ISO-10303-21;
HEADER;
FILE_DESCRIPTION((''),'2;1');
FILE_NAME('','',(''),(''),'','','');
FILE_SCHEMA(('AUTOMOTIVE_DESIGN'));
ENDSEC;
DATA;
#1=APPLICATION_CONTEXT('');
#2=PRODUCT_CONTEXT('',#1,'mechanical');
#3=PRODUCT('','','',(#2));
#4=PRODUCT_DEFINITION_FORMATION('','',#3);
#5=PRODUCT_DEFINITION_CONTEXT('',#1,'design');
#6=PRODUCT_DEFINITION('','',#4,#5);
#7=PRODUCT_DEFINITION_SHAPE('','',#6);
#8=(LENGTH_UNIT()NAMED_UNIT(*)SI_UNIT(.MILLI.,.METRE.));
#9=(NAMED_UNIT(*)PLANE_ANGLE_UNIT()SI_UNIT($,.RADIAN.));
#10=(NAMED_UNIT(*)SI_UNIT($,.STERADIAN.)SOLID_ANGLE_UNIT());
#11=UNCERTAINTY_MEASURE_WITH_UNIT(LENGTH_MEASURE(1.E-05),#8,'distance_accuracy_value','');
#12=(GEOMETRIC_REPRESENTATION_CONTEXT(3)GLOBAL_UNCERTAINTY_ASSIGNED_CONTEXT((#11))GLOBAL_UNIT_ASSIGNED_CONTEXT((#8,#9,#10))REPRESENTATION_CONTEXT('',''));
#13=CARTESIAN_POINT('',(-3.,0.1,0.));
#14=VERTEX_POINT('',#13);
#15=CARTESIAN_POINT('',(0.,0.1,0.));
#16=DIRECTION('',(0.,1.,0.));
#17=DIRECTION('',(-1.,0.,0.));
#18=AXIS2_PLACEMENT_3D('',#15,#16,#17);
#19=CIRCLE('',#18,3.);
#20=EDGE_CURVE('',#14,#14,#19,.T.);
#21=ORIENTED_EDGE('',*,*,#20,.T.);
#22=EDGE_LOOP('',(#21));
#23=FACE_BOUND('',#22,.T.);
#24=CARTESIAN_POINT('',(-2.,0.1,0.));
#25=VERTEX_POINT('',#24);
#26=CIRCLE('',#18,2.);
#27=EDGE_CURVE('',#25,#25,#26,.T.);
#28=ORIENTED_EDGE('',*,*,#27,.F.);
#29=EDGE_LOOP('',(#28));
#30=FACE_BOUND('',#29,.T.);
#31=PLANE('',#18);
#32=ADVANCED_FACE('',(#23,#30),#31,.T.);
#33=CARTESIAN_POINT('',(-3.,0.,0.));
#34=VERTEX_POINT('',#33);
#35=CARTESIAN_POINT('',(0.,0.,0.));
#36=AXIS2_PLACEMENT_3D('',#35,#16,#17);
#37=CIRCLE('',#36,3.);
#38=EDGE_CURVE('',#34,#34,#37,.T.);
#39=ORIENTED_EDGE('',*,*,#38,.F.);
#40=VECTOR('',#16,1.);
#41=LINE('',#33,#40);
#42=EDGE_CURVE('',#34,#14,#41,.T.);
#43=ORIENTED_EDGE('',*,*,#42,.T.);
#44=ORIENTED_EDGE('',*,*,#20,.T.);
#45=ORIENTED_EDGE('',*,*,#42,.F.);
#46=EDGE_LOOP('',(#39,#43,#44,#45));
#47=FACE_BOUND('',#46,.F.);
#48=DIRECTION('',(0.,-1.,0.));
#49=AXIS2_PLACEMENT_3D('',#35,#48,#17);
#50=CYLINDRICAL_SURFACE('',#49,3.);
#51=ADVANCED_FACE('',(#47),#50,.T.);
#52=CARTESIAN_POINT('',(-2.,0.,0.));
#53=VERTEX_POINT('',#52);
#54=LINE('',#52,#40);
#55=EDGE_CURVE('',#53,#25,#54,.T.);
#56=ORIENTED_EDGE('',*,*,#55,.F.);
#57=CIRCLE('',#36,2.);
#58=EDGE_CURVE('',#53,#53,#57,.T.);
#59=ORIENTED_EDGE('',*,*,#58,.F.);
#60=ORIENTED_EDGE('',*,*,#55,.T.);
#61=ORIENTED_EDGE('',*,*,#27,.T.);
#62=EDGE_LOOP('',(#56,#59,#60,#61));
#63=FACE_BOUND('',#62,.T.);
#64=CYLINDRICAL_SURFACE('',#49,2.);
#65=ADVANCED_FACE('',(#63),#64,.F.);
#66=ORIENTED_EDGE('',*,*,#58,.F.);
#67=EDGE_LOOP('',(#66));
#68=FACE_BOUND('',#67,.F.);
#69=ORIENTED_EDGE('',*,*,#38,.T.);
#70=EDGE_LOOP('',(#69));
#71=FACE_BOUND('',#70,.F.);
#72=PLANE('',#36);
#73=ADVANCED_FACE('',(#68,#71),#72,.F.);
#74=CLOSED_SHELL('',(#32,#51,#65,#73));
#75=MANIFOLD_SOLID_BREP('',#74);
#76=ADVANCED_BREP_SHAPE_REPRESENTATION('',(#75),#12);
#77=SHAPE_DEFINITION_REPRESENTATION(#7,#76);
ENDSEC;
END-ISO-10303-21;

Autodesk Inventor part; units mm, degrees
ref_plane "YZ Plane" through (0, 0, 0) normal (1, 0, 0) x (0, 1, 0)
ref_plane "XZ Plane" through (0, 0, 0) normal (0, 1, 0) x (-1, 0, 0)
ref_plane "XY Plane" through (0, 0, 0) normal (0, 0, 1) x (1, 0, 0)
sketch "Boceto1" plane through (0, 0, 0) normal (0, 1, 0) x (-1, 0, 0)
  circle A0 centre (0, 0) radius 2
  circle A1 centre (0, 0) radius 3
  dimension "d0" = 4
  dimension "d1" = 6
extrude "Extrusión1" add sketch "Boceto1" along normal blind 0.1
properties part number "SUJETADORES"
